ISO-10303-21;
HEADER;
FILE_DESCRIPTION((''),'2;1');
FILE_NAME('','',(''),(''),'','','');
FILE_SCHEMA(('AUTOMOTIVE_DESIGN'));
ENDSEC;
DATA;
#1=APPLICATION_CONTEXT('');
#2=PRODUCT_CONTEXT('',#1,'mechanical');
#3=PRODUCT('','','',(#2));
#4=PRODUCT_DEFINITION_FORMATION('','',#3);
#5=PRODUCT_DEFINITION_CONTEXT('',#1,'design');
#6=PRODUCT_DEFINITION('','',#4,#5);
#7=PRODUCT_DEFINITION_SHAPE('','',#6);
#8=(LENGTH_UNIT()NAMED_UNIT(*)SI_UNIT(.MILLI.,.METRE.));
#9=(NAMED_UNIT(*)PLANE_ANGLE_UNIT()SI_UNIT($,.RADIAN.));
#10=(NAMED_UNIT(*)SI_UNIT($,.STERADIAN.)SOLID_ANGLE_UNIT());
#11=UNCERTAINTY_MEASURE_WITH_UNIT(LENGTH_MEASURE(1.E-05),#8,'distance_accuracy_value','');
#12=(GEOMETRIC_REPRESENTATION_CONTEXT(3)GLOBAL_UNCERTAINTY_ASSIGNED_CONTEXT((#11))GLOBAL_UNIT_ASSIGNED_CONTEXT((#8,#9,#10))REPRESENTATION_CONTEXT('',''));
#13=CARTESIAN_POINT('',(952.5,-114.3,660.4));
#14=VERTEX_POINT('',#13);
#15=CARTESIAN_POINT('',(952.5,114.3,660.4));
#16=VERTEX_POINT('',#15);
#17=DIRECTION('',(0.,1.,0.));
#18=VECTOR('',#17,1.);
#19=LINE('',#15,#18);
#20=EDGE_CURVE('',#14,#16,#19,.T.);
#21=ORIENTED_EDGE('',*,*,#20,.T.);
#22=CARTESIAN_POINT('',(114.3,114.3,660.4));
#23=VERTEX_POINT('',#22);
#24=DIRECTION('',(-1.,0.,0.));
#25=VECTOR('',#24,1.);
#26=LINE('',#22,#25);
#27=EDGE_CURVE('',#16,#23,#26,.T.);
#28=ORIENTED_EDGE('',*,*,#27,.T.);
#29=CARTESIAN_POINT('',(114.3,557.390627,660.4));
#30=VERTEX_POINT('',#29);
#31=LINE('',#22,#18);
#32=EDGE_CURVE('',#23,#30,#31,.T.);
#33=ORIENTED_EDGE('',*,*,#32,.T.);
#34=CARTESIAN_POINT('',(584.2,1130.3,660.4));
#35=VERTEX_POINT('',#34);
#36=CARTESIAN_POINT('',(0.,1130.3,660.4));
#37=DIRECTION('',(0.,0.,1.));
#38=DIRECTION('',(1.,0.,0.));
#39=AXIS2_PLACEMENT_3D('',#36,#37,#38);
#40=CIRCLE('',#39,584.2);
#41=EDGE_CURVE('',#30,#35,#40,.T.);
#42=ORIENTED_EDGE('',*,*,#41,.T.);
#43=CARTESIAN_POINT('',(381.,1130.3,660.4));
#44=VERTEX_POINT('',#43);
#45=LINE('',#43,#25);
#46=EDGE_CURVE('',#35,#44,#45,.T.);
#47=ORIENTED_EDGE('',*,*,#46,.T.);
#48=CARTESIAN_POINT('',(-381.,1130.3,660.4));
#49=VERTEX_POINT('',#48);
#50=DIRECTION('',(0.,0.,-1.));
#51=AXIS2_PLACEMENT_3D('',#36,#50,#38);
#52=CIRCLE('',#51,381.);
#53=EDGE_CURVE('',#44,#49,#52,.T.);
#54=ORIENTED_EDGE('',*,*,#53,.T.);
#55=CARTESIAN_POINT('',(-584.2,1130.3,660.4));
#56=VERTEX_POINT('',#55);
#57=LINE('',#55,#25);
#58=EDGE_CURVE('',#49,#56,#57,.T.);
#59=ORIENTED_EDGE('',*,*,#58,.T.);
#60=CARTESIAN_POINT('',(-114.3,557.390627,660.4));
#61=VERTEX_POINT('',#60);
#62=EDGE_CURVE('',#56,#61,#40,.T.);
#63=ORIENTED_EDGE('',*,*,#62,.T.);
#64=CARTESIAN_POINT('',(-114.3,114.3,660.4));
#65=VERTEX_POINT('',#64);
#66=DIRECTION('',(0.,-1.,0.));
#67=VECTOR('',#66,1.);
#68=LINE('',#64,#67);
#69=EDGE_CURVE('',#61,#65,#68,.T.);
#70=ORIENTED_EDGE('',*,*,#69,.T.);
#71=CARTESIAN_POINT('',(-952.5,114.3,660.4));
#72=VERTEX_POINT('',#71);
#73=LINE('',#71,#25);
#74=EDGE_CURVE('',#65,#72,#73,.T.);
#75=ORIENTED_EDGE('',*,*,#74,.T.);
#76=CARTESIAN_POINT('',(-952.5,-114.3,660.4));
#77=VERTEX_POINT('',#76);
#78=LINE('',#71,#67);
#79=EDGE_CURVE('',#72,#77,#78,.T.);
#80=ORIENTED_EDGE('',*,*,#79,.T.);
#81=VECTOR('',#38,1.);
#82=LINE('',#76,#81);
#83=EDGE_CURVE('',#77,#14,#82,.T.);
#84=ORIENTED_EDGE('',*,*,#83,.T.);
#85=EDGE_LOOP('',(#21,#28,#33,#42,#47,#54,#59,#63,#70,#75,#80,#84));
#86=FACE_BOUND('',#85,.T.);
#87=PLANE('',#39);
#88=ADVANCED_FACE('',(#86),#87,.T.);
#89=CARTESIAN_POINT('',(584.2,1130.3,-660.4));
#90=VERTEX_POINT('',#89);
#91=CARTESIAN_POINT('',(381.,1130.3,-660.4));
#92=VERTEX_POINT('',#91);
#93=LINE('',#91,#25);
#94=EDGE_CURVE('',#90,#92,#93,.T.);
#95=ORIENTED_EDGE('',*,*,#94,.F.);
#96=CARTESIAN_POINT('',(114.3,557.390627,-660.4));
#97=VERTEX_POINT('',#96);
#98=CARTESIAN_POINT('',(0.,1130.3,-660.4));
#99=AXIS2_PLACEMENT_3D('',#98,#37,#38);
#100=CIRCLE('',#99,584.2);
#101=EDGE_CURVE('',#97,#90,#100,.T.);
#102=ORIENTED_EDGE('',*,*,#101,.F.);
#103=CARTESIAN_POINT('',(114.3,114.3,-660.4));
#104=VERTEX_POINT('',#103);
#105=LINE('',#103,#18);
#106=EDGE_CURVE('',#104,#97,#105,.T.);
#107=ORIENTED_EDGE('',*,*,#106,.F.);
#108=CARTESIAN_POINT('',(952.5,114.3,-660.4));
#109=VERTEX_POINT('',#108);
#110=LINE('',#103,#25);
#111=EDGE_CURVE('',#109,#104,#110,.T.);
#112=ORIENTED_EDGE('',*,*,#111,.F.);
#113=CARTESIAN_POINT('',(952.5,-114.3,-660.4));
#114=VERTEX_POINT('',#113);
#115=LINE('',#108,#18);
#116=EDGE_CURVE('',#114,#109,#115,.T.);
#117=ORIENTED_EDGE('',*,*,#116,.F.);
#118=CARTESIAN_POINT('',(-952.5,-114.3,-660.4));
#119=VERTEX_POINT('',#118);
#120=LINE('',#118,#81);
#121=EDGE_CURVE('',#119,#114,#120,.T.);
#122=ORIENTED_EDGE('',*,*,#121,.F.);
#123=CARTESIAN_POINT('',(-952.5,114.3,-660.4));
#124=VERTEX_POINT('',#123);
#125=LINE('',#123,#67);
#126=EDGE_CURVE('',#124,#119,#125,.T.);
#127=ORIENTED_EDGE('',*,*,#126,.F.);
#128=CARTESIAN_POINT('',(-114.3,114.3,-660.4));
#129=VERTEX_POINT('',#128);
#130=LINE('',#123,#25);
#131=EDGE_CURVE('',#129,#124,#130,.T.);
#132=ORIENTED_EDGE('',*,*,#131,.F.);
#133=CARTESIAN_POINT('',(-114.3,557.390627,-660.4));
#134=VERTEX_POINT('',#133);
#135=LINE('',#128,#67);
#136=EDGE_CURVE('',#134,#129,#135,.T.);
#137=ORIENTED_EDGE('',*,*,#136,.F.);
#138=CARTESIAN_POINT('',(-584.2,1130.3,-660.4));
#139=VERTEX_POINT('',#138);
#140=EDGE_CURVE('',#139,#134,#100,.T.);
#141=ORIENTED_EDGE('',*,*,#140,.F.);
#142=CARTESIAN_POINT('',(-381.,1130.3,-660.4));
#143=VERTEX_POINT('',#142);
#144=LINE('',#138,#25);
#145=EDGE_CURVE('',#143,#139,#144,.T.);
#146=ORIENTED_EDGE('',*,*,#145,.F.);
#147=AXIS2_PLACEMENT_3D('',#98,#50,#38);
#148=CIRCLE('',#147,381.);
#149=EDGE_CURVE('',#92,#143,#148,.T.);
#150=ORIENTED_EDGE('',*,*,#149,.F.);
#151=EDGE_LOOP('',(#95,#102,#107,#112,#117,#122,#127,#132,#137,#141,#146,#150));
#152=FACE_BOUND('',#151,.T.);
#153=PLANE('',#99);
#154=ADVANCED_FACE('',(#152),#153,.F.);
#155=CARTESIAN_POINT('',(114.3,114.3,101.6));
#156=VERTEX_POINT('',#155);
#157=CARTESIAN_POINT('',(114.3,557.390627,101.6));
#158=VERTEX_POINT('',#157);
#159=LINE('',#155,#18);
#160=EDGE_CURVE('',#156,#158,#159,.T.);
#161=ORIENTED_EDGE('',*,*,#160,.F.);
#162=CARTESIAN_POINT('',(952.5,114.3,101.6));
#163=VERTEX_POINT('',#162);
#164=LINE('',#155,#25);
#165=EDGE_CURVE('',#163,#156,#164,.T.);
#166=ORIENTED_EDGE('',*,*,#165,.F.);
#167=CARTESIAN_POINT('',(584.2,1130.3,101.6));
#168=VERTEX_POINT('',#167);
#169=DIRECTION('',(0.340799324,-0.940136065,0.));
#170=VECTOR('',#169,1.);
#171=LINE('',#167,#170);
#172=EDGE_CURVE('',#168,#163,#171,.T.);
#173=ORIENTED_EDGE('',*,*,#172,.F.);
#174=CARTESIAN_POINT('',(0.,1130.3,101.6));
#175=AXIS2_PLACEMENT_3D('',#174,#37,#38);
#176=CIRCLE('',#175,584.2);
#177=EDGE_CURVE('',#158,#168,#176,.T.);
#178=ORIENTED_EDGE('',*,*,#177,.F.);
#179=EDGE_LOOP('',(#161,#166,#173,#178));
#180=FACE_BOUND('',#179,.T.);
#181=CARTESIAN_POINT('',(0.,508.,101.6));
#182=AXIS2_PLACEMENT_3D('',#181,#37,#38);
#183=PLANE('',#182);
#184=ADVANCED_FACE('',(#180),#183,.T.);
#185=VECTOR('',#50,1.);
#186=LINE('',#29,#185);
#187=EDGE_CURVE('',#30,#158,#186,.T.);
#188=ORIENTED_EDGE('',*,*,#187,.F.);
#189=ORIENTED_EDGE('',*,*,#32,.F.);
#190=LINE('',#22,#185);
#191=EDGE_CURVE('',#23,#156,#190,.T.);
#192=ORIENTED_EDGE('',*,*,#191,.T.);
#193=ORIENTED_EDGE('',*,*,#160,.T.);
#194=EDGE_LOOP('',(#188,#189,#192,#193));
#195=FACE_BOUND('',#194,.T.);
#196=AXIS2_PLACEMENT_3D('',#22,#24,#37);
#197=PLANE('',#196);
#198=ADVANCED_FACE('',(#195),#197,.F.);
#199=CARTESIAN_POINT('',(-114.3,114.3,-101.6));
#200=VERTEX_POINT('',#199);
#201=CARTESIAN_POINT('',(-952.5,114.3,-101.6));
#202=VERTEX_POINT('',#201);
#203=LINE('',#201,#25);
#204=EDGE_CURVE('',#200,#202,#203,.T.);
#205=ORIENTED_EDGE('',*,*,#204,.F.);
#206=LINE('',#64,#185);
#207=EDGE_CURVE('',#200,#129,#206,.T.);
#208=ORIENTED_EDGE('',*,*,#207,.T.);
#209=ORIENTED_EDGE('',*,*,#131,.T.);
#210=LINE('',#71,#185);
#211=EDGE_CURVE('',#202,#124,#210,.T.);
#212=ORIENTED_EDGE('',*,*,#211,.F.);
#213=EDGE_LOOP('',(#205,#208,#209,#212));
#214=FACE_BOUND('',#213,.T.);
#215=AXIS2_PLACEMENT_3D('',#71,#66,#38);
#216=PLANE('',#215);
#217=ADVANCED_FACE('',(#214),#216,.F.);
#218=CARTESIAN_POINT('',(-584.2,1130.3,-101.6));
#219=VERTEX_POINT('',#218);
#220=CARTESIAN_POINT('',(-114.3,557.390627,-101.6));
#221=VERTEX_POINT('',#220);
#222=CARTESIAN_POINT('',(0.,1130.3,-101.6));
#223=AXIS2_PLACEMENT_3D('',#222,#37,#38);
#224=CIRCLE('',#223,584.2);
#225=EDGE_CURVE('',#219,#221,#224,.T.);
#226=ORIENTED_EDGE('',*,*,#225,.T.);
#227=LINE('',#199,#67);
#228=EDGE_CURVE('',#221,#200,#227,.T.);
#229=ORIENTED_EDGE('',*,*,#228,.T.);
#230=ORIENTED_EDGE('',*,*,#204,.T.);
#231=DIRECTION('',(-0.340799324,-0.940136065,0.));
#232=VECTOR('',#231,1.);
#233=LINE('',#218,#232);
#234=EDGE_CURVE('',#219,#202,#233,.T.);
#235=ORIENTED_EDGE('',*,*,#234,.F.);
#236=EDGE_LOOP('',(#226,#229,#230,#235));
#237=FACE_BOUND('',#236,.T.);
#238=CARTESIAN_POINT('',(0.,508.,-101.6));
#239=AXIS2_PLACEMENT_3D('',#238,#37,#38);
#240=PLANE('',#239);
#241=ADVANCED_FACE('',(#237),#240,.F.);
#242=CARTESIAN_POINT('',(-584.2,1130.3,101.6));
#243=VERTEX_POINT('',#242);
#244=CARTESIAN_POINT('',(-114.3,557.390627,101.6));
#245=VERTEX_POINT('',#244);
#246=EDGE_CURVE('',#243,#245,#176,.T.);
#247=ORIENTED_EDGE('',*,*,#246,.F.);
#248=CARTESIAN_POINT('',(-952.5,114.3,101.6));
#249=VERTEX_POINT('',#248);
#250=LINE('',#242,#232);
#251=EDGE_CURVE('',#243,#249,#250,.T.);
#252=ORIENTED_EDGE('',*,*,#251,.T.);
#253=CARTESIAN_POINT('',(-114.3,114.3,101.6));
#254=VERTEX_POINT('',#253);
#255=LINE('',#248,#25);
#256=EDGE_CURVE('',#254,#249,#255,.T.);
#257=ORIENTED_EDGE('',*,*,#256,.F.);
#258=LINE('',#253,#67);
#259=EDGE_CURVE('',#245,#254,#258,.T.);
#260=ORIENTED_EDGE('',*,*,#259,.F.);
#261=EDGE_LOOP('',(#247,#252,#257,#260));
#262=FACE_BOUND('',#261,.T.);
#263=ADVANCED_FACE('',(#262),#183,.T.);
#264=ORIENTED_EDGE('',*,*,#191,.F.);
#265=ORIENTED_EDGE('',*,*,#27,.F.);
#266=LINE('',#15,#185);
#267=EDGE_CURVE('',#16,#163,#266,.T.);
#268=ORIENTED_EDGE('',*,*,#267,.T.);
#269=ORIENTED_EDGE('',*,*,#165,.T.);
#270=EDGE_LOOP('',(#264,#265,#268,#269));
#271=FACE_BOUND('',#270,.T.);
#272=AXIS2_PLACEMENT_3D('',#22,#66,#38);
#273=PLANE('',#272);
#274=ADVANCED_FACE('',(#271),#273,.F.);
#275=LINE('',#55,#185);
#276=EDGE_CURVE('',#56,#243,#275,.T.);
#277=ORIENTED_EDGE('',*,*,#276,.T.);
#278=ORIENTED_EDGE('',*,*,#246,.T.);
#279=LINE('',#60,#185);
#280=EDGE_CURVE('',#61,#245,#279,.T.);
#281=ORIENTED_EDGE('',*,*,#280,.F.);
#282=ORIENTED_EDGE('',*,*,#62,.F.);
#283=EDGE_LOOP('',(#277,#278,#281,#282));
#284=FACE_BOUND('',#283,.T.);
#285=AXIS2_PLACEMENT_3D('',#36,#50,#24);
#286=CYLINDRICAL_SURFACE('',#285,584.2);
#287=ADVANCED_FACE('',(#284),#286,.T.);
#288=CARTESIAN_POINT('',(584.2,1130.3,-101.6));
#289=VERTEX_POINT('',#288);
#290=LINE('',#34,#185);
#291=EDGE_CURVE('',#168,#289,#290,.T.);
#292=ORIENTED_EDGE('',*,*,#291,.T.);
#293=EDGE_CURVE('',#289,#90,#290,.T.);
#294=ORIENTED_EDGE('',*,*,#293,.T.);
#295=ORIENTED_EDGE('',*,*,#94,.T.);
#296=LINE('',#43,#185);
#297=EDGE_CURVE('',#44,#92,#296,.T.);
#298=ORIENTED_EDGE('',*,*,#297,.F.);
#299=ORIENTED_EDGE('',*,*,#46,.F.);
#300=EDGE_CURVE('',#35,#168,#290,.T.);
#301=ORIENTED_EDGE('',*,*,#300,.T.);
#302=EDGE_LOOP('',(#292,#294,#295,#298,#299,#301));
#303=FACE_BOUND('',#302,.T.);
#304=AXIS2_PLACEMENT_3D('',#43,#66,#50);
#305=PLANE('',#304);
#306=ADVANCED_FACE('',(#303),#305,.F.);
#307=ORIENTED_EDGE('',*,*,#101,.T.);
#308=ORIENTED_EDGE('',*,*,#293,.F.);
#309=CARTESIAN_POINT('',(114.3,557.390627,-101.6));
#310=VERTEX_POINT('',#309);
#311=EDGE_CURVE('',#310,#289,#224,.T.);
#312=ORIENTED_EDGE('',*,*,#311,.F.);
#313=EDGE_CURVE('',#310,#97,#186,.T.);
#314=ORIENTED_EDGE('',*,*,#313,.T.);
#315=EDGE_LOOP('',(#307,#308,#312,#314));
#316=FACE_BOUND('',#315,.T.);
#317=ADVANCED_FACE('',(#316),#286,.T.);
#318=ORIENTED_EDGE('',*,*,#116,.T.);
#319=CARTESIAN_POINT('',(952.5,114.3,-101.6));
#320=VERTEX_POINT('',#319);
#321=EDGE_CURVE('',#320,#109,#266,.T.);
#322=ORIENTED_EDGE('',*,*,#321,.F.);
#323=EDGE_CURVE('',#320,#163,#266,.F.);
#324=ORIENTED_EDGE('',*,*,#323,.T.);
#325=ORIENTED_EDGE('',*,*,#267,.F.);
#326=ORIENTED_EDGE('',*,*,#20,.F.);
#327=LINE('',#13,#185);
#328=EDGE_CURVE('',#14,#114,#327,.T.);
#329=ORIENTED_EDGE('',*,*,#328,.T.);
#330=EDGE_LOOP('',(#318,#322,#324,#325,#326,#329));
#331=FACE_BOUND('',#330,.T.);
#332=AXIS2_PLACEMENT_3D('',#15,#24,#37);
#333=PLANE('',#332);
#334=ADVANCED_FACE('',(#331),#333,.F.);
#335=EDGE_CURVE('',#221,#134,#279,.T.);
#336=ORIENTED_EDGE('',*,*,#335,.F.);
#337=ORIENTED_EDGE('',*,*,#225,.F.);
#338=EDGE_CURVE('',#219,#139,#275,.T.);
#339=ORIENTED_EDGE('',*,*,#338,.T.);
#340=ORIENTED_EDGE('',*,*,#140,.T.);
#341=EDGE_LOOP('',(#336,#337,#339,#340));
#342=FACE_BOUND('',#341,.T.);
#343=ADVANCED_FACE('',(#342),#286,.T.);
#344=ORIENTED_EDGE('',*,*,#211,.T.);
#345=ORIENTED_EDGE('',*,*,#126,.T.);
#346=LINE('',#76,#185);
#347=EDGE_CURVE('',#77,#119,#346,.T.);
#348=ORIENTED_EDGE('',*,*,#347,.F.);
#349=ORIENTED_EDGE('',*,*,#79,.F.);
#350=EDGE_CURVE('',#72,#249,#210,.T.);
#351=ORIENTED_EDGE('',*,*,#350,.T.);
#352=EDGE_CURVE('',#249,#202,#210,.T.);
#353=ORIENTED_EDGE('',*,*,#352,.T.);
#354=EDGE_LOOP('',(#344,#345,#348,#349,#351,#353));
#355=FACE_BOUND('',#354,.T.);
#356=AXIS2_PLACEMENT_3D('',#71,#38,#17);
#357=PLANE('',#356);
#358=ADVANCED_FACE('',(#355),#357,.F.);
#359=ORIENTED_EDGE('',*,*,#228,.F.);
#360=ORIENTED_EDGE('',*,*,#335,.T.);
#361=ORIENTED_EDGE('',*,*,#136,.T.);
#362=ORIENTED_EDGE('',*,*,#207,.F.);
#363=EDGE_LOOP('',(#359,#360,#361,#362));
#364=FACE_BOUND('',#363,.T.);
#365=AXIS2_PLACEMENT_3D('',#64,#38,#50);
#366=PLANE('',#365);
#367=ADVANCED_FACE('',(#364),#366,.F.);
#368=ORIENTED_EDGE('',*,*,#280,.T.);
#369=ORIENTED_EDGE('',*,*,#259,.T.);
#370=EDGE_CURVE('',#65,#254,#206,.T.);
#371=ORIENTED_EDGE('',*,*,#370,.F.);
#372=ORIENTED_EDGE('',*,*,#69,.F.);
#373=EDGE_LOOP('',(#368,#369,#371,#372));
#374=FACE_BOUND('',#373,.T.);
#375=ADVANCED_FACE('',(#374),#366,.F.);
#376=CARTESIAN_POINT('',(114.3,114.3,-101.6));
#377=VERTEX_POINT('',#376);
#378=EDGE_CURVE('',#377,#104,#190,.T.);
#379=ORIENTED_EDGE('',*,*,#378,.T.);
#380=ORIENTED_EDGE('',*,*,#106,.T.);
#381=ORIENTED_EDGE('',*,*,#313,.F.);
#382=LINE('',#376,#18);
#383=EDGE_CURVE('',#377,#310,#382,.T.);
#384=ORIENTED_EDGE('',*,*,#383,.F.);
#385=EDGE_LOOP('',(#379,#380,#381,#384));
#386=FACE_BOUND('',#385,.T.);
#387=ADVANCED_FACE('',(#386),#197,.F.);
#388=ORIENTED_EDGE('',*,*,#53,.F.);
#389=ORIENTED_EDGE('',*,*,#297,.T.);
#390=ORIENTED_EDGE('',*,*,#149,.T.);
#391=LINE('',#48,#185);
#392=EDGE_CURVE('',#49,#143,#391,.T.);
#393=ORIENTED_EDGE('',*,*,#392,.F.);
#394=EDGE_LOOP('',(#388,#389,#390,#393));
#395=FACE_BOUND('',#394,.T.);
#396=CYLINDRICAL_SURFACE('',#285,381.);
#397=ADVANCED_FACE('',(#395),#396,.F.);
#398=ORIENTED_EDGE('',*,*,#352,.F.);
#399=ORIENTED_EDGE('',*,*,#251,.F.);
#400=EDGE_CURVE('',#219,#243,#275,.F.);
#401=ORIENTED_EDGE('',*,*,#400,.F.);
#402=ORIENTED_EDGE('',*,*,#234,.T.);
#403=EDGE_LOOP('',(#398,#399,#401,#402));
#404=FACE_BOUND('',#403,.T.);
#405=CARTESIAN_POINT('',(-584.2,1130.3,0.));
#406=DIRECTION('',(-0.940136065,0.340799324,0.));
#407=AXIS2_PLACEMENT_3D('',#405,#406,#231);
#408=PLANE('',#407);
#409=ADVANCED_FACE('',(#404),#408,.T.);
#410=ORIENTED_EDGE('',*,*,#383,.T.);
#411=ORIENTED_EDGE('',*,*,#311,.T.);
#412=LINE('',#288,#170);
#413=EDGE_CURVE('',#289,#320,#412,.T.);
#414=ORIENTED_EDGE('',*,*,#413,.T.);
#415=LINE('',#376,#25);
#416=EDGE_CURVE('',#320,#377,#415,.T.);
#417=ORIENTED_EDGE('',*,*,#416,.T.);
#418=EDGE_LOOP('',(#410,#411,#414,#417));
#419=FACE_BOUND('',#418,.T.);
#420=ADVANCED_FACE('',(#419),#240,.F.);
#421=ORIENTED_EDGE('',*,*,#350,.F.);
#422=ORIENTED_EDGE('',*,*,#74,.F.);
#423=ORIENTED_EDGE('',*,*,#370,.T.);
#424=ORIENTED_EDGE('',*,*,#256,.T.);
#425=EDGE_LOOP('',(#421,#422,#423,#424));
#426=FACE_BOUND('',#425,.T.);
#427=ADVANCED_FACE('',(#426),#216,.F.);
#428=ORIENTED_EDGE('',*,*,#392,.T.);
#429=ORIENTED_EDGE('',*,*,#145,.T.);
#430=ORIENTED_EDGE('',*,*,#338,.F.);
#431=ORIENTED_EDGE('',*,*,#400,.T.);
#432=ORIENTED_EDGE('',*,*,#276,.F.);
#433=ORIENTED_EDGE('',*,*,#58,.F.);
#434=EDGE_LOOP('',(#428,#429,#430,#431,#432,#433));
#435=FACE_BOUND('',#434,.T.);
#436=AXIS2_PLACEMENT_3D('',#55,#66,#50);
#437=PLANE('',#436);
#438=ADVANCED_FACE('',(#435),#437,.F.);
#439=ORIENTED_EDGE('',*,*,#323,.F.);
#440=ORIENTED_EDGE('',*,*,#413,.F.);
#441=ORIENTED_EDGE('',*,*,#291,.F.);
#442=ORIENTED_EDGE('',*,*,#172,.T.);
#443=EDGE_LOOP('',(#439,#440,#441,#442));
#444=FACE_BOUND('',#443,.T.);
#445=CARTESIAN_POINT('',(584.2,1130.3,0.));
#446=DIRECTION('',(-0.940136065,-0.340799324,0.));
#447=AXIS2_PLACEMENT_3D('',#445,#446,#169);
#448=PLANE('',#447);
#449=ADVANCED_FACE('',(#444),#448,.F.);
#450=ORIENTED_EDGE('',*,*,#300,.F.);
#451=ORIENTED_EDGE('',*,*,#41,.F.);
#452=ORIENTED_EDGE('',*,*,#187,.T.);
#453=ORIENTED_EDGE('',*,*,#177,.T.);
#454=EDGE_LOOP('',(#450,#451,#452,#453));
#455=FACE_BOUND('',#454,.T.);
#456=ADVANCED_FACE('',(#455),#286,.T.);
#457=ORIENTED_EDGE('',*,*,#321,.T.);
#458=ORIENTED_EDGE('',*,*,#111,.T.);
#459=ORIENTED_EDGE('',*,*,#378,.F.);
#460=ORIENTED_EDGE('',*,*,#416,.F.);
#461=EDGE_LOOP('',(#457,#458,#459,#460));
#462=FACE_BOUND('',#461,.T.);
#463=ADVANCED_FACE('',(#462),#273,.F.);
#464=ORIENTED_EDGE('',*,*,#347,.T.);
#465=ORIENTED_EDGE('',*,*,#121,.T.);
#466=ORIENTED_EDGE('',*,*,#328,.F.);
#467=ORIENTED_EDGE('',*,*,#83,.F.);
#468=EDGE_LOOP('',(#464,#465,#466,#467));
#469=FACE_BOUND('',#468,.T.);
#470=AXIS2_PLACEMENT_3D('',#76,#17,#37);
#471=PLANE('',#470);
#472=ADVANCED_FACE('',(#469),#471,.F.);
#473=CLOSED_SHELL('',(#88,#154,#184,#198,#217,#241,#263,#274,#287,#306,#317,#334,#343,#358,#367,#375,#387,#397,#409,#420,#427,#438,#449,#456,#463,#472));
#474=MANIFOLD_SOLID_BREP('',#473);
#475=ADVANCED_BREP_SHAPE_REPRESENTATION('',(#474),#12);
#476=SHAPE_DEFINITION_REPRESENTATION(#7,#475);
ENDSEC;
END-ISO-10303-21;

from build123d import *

# Parameters (mm, degrees)
BOSS_EXTRUDE2_DEPTH = 660.4
RIB1_REACH          = 1620.939
SKETCH2_WALL_W      = 4320.572024226
SKETCH2_WALL_H      = 203.2


with BuildPart() as part:
    # Sketch1 → Boss-Extrude2 (new, symmetric)
    with BuildSketch(Plane.XY):
        with BuildLine():
            Line((-584.2, 1130.3), (-381, 1130.3))
            ThreePointArc((-381, 1130.3), (0, 749.3), (381, 1130.3))
            Line((381, 1130.3), (584.2, 1130.3))
            ThreePointArc((584.2, 1130.3), (451.698848792, 759.816815496), (114.3, 557.390626713))
            Line((114.3, 557.390626713), (114.3, 114.3))
            Line((114.3, 114.3), (952.5, 114.3))
            Line((952.5, 114.3), (952.5, -114.3))
            Line((952.5, -114.3), (-952.5, -114.3))
            Line((-952.5, -114.3), (-952.5, 114.3))
            Line((-952.5, 114.3), (-114.3, 114.3))
            Line((-114.3, 114.3), (-114.3, 557.390626713))
            ThreePointArc((-114.3, 557.390626713), (-451.698848792, 759.816815496), (-584.2, 1130.3))
        make_face()
    extrude(amount=BOSS_EXTRUDE2_DEPTH, both=True)

    # Sketch2 wall → Rib1 (add, up to next)
    with BuildSketch(Plane(origin=(768.35, 622.3, 0), x_dir=(0.340799323621, -0.940136065162, 0), z_dir=(0.940136065162, 0.340799323621, 0)), mode=Mode.PRIVATE) as rib1_sk1:
        Rectangle(SKETCH2_WALL_W, SKETCH2_WALL_H)
    rib1_tool1 = extrude(rib1_sk1.sketch, amount=-RIB1_REACH, mode=Mode.PRIVATE) - part.part
    rib1 = rib1_tool1.solids().sort_by_distance((768.35, 622.3, 0))[0]
    add(rib1)

    # Mirror5: Rib1 across plane
    add(rib1.mirror(Plane(origin=(0, 0, 0), x_dir=(0, 0, 1), z_dir=(1, 0, 0))))


solid = part.part
